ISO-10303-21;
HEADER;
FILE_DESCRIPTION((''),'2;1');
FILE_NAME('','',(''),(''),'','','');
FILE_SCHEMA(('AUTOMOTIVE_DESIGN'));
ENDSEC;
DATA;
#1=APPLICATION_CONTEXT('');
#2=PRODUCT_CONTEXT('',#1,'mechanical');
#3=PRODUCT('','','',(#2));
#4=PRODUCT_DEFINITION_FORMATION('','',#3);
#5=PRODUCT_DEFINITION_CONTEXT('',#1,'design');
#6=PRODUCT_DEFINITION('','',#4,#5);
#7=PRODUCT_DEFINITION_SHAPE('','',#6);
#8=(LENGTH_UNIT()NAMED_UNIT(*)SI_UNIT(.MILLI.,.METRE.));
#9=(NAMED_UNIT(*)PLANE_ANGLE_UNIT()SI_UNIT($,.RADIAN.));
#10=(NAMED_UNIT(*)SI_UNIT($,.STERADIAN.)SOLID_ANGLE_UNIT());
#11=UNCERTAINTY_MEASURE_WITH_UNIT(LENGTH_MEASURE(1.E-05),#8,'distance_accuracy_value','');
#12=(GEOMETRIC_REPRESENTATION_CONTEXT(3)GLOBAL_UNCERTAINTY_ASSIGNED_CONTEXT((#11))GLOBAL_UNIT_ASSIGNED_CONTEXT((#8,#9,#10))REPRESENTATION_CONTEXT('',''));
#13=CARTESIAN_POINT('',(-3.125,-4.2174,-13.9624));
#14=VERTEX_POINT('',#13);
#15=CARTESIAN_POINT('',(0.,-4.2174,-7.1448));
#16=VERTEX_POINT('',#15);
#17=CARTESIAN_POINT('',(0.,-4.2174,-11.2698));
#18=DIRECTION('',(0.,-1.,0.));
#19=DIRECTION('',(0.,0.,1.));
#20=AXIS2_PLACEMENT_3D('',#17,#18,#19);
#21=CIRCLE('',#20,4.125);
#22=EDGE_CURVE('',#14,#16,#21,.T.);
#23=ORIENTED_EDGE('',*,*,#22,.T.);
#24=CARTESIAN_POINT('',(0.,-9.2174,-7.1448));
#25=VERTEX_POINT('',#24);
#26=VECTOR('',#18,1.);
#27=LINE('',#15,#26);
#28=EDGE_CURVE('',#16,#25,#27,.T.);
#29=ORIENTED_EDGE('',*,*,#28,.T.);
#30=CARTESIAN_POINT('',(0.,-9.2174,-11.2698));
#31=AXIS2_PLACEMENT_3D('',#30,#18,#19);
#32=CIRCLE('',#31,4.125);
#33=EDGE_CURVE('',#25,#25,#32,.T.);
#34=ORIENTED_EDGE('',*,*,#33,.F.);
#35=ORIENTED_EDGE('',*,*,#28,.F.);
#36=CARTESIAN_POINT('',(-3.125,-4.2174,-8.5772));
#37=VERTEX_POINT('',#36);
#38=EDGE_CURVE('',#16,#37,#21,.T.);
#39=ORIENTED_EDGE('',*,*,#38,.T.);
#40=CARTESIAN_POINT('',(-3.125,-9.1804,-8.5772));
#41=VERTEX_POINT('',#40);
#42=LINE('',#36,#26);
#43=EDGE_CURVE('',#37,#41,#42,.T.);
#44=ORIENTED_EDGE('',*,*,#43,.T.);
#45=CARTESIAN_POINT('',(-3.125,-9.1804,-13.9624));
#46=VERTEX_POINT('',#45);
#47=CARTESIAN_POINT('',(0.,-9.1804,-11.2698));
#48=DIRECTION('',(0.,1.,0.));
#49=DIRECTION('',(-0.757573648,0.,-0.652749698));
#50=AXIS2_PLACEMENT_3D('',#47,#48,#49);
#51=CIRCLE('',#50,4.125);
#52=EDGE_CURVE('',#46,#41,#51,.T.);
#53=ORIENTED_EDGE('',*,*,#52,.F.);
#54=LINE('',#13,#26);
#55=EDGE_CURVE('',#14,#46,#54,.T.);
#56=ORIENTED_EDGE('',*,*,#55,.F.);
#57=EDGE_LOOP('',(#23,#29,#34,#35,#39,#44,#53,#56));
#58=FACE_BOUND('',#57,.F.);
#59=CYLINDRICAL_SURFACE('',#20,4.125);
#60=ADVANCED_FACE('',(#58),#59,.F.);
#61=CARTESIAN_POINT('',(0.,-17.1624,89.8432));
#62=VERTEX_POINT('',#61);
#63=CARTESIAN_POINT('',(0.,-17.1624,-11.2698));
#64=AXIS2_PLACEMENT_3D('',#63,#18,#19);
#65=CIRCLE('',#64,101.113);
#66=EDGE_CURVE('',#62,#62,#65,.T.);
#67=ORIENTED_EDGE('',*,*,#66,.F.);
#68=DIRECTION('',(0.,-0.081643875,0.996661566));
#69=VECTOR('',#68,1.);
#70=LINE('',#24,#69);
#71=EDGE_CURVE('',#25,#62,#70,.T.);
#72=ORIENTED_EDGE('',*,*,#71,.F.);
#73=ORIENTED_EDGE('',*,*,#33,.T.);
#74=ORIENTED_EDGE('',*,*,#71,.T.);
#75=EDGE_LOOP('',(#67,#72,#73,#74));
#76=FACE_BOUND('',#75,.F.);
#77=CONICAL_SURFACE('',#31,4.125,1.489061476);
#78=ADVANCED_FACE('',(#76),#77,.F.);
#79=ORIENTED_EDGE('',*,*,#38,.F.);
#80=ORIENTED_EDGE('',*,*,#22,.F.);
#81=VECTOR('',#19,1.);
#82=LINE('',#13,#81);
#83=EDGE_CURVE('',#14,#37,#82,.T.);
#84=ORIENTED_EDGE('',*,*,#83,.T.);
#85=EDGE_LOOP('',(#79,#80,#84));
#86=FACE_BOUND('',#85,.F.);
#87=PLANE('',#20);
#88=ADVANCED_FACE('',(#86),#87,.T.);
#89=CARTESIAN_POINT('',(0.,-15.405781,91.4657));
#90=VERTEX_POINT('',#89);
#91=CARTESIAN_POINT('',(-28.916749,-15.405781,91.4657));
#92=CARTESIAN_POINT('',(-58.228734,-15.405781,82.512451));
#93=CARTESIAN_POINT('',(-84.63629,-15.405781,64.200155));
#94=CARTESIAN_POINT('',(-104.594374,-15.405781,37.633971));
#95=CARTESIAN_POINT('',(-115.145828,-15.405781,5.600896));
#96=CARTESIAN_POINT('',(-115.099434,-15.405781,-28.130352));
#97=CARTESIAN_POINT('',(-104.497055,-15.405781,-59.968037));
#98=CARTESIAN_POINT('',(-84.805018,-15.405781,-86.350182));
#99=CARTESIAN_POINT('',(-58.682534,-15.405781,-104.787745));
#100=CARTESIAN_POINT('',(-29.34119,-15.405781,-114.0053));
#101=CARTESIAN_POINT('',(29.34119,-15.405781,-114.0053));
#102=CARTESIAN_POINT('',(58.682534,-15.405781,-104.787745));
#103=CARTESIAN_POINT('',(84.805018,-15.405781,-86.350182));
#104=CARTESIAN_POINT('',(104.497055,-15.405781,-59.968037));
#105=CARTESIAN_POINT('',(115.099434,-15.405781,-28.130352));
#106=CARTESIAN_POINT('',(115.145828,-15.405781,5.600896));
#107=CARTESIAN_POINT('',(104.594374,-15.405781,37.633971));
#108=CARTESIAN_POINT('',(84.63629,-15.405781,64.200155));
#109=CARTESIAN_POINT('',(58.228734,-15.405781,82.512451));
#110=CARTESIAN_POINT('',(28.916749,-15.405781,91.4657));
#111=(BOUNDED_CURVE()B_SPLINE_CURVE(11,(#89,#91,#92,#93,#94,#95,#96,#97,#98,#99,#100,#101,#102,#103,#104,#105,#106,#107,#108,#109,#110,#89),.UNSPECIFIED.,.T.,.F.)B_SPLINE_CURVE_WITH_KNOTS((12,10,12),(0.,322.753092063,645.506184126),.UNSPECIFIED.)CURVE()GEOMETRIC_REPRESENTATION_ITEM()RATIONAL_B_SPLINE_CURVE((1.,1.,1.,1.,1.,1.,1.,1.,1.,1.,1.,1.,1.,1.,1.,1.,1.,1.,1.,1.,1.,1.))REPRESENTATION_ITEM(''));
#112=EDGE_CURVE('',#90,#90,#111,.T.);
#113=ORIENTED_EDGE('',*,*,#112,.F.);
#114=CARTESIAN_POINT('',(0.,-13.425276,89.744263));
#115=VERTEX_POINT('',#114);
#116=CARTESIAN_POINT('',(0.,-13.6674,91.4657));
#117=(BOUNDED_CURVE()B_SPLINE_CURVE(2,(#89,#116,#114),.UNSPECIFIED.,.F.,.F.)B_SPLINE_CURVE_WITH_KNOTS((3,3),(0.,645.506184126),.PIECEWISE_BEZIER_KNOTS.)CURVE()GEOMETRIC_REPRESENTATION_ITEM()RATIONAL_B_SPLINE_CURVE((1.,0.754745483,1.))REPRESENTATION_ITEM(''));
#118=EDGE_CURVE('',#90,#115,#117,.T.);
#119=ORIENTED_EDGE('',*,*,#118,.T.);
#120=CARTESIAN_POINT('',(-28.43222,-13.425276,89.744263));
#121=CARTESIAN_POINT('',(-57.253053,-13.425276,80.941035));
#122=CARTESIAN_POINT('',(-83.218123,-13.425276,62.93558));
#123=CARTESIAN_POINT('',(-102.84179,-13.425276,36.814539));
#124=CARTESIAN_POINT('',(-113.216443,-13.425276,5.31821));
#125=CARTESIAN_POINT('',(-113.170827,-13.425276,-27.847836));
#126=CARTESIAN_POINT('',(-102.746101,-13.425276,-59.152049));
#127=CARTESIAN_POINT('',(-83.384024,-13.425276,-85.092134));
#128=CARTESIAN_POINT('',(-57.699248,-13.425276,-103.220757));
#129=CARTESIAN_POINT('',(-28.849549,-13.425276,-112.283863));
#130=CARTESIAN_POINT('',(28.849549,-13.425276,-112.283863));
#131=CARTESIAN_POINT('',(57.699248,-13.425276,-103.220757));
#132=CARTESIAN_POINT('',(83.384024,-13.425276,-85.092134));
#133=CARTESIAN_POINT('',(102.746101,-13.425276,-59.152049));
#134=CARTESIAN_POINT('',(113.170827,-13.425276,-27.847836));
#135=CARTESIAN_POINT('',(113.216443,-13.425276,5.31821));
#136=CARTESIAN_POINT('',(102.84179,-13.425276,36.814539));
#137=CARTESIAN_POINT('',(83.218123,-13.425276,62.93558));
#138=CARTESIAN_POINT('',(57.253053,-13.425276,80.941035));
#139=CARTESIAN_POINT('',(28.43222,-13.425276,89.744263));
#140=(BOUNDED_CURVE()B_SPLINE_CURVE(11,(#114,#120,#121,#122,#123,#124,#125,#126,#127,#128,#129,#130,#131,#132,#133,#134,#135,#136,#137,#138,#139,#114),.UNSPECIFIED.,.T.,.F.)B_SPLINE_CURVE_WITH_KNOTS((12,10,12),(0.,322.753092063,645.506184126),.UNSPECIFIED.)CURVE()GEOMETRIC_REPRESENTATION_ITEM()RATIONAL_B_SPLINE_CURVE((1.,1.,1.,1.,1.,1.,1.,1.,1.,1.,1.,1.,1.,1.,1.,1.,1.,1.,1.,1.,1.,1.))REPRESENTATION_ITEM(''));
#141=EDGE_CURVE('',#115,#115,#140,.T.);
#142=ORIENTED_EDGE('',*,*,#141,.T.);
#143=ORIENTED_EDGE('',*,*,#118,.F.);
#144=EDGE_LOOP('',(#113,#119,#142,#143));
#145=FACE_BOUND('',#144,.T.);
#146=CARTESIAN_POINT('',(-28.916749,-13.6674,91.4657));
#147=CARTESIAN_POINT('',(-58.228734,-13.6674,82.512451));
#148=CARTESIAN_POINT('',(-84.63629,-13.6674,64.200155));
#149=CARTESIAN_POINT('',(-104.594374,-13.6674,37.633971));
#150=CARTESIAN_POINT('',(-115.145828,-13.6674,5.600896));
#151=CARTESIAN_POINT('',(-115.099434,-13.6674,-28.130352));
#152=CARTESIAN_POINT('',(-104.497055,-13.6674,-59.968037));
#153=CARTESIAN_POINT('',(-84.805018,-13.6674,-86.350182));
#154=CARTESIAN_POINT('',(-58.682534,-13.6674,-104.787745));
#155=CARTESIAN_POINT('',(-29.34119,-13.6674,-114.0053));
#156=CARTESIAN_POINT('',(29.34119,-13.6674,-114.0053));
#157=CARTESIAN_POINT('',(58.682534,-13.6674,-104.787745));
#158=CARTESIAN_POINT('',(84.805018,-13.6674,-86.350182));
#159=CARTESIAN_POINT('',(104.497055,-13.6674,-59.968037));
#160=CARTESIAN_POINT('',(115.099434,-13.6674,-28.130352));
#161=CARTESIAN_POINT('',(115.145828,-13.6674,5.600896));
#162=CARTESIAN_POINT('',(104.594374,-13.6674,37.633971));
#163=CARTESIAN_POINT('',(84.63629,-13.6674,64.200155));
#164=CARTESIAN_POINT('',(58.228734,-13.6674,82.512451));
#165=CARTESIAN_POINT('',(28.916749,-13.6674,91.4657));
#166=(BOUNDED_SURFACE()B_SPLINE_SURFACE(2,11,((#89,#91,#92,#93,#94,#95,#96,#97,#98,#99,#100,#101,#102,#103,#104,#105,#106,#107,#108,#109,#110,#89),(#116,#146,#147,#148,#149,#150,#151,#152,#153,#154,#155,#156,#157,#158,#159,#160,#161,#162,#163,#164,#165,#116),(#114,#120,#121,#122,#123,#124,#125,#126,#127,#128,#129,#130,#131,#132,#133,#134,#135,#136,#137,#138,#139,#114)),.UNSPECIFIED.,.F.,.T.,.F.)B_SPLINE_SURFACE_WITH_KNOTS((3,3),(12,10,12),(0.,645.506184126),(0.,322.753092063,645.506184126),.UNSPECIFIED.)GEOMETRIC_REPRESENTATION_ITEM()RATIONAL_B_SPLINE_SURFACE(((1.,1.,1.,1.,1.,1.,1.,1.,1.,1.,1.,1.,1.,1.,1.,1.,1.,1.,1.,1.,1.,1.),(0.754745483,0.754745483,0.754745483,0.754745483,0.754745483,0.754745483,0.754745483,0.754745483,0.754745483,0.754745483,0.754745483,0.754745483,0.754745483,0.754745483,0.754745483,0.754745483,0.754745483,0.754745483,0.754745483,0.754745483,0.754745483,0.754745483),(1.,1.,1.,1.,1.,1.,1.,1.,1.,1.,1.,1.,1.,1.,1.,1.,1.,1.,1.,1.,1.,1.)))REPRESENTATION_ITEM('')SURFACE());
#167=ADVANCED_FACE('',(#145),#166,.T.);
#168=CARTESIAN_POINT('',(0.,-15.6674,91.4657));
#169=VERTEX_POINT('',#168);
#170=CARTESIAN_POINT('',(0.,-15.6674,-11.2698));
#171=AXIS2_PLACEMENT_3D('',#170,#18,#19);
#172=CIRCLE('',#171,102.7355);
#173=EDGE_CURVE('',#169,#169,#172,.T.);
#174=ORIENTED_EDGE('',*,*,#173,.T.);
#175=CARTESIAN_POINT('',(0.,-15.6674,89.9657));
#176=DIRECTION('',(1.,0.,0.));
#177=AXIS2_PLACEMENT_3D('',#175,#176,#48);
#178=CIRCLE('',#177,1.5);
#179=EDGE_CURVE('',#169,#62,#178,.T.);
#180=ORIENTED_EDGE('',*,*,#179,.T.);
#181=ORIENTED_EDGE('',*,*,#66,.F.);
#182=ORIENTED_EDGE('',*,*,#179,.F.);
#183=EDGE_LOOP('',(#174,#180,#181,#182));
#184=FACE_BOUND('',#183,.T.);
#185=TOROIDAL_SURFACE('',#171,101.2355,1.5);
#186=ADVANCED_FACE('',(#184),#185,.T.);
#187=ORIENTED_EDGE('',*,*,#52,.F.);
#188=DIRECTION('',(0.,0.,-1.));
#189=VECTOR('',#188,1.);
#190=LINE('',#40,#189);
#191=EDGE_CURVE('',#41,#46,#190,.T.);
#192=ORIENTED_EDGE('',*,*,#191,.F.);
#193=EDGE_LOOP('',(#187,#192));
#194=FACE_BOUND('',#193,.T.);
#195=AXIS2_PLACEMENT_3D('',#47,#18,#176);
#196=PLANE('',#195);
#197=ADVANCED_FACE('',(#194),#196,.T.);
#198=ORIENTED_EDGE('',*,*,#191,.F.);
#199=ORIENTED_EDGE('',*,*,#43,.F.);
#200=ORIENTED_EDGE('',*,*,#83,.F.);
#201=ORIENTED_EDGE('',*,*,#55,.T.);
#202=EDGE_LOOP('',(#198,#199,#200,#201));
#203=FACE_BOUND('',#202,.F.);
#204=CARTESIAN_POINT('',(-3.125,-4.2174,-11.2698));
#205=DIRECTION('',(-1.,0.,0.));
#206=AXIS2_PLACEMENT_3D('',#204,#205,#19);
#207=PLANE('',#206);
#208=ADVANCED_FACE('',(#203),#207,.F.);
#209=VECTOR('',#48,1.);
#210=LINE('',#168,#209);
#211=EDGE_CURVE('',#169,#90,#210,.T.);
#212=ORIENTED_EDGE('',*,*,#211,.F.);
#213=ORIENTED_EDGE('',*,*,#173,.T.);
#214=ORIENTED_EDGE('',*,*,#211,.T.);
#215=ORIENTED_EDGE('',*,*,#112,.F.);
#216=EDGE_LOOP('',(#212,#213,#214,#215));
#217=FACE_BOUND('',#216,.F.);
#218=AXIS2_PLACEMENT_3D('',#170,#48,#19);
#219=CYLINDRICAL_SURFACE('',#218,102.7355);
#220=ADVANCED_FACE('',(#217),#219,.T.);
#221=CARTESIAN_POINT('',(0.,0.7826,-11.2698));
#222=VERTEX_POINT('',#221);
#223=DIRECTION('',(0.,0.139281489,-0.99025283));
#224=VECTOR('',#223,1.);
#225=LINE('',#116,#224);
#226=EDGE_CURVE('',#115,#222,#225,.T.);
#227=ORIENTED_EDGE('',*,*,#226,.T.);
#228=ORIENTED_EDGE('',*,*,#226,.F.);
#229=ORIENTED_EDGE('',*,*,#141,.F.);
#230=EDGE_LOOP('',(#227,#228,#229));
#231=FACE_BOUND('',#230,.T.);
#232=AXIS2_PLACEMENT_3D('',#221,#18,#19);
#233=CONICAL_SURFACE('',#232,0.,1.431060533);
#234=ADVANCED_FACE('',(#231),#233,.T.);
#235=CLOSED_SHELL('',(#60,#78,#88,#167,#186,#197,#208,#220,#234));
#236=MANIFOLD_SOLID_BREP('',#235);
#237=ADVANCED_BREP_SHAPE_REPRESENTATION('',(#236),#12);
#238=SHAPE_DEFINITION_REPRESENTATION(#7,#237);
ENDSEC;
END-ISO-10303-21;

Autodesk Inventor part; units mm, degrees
ref_plane "YZ Plane" through (0, 0, 0) normal (1, 0, 0) x (0, 1, 0)
ref_plane "XZ Plane" through (0, 0, 0) normal (0, 1, 0) x (-1, 0, 0)
ref_plane "XY Plane" through (0, 0, 0) normal (0, 0, 1) x (1, 0, 0)
sketch "Sketch1" plane through (0, 0, 0) normal (1, 0, 0) x (0, 1, 0)
  line L0 (-17.6674, 93.5386) -> (-20.6674, 93.5386)
  line L1 (-20.6674, 86.1116) -> (-20.6674, 93.5386)
  line L2 (-17.6674, 86.1116) -> (-20.6674, 86.1116)
  line L3 (-17.6674, 89.9657) -> (-17.6674, 86.1116)
  arc A0 (-15.6674, 91.9657) -> (-17.6674, 89.9657) centre (-15.6674, 89.9657) ccw
  line L4 (-13.6674, 91.9657) -> (-15.6674, 91.9657)
  line L5 (-13.6674, 121.9657) -> (-13.6674, 91.9657)
  line L6 (-20.6674, 121.9657) -> (-13.6674, 121.9657)
  line L7 (-20.6674, 111.9657) -> (-20.6674, 121.9657)
  line L8 (-15.6674, 111.9657) -> (-20.6674, 111.9657)
  line L9 (-15.6674, 101.9657) -> (-15.6674, 111.9657)
  line L10 (-20.6674, 101.9657) -> (-15.6674, 101.9657)
  line L11 (-20.6674, 98.5386) -> (-20.6674, 101.9657)
  line L12 (-20.6674, 98.5386) -> (-17.6674, 98.5386)
  line L13 (-17.6674, 98.5386) -> (-17.6674, 93.5386)
  line L14 (-4.2174, -15.1948) -> (-4.2174, -7.3448)
  line L15 (-4.2174, -7.3448) -> (0.2305, -7.3448)
  circle A1 centre (-15.6674, 89.9657) radius 1.5
  line L16 (-15.6674, 91.4657) -> (-13.6674, 91.4657)
  line L17 (0.7826, -11.2698) -> (-4.2174, -11.2698)
  line L18 (0.7826, -11.2698) -> (-13.6674, 91.4657)
  line L19 (-4.2174, -7.3448) -> (-4.2174, -7.1448)
  line L20 (-4.2174, -7.1448) -> (-9.2174, -7.1448)
  line L21 (-9.2174, -7.1448) -> (-17.1624, 89.8432)
  point P0 (0, 0)
  dimension "d1" = 3
  dimension "d2" = 0.2
  dimension "d3" = 5
revolve "Revolution1" add sketch "Sketch1" angle 360 about axis through (0, 0.7826, -11.2698) along (0, -1, 0) contours L14 L15 L18 L17 | L19 L20 L21 A1 L16 L18 L15 | A1
sketch "Sketch2" plane through (0, -4.2174, -11.2698) normal (0, -1, 0) x (1, 0, 0)
  circle A0 centre (0, 0) radius 4.125 projected
  line L0 (-4.125, 0) -> (-3.125, 0)
  line L1 (-3.125, 0) -> (-3.125, -2.6926)
  line L2 (-3.125, 0) -> (-3.125, 2.6926)
  point P0 (0, 11.2698)
  dimension "d5" = 1
extrude "Extrusion1" add sketch "Sketch2" along normal blind 4.963 contours L2 L0 A0 | A0 L0 L1
fillet "Fillet1" radius 2 1 edges at (0, -13.6674, -114.0053)
properties part number "TopSpinner_steep_angle_V2"
